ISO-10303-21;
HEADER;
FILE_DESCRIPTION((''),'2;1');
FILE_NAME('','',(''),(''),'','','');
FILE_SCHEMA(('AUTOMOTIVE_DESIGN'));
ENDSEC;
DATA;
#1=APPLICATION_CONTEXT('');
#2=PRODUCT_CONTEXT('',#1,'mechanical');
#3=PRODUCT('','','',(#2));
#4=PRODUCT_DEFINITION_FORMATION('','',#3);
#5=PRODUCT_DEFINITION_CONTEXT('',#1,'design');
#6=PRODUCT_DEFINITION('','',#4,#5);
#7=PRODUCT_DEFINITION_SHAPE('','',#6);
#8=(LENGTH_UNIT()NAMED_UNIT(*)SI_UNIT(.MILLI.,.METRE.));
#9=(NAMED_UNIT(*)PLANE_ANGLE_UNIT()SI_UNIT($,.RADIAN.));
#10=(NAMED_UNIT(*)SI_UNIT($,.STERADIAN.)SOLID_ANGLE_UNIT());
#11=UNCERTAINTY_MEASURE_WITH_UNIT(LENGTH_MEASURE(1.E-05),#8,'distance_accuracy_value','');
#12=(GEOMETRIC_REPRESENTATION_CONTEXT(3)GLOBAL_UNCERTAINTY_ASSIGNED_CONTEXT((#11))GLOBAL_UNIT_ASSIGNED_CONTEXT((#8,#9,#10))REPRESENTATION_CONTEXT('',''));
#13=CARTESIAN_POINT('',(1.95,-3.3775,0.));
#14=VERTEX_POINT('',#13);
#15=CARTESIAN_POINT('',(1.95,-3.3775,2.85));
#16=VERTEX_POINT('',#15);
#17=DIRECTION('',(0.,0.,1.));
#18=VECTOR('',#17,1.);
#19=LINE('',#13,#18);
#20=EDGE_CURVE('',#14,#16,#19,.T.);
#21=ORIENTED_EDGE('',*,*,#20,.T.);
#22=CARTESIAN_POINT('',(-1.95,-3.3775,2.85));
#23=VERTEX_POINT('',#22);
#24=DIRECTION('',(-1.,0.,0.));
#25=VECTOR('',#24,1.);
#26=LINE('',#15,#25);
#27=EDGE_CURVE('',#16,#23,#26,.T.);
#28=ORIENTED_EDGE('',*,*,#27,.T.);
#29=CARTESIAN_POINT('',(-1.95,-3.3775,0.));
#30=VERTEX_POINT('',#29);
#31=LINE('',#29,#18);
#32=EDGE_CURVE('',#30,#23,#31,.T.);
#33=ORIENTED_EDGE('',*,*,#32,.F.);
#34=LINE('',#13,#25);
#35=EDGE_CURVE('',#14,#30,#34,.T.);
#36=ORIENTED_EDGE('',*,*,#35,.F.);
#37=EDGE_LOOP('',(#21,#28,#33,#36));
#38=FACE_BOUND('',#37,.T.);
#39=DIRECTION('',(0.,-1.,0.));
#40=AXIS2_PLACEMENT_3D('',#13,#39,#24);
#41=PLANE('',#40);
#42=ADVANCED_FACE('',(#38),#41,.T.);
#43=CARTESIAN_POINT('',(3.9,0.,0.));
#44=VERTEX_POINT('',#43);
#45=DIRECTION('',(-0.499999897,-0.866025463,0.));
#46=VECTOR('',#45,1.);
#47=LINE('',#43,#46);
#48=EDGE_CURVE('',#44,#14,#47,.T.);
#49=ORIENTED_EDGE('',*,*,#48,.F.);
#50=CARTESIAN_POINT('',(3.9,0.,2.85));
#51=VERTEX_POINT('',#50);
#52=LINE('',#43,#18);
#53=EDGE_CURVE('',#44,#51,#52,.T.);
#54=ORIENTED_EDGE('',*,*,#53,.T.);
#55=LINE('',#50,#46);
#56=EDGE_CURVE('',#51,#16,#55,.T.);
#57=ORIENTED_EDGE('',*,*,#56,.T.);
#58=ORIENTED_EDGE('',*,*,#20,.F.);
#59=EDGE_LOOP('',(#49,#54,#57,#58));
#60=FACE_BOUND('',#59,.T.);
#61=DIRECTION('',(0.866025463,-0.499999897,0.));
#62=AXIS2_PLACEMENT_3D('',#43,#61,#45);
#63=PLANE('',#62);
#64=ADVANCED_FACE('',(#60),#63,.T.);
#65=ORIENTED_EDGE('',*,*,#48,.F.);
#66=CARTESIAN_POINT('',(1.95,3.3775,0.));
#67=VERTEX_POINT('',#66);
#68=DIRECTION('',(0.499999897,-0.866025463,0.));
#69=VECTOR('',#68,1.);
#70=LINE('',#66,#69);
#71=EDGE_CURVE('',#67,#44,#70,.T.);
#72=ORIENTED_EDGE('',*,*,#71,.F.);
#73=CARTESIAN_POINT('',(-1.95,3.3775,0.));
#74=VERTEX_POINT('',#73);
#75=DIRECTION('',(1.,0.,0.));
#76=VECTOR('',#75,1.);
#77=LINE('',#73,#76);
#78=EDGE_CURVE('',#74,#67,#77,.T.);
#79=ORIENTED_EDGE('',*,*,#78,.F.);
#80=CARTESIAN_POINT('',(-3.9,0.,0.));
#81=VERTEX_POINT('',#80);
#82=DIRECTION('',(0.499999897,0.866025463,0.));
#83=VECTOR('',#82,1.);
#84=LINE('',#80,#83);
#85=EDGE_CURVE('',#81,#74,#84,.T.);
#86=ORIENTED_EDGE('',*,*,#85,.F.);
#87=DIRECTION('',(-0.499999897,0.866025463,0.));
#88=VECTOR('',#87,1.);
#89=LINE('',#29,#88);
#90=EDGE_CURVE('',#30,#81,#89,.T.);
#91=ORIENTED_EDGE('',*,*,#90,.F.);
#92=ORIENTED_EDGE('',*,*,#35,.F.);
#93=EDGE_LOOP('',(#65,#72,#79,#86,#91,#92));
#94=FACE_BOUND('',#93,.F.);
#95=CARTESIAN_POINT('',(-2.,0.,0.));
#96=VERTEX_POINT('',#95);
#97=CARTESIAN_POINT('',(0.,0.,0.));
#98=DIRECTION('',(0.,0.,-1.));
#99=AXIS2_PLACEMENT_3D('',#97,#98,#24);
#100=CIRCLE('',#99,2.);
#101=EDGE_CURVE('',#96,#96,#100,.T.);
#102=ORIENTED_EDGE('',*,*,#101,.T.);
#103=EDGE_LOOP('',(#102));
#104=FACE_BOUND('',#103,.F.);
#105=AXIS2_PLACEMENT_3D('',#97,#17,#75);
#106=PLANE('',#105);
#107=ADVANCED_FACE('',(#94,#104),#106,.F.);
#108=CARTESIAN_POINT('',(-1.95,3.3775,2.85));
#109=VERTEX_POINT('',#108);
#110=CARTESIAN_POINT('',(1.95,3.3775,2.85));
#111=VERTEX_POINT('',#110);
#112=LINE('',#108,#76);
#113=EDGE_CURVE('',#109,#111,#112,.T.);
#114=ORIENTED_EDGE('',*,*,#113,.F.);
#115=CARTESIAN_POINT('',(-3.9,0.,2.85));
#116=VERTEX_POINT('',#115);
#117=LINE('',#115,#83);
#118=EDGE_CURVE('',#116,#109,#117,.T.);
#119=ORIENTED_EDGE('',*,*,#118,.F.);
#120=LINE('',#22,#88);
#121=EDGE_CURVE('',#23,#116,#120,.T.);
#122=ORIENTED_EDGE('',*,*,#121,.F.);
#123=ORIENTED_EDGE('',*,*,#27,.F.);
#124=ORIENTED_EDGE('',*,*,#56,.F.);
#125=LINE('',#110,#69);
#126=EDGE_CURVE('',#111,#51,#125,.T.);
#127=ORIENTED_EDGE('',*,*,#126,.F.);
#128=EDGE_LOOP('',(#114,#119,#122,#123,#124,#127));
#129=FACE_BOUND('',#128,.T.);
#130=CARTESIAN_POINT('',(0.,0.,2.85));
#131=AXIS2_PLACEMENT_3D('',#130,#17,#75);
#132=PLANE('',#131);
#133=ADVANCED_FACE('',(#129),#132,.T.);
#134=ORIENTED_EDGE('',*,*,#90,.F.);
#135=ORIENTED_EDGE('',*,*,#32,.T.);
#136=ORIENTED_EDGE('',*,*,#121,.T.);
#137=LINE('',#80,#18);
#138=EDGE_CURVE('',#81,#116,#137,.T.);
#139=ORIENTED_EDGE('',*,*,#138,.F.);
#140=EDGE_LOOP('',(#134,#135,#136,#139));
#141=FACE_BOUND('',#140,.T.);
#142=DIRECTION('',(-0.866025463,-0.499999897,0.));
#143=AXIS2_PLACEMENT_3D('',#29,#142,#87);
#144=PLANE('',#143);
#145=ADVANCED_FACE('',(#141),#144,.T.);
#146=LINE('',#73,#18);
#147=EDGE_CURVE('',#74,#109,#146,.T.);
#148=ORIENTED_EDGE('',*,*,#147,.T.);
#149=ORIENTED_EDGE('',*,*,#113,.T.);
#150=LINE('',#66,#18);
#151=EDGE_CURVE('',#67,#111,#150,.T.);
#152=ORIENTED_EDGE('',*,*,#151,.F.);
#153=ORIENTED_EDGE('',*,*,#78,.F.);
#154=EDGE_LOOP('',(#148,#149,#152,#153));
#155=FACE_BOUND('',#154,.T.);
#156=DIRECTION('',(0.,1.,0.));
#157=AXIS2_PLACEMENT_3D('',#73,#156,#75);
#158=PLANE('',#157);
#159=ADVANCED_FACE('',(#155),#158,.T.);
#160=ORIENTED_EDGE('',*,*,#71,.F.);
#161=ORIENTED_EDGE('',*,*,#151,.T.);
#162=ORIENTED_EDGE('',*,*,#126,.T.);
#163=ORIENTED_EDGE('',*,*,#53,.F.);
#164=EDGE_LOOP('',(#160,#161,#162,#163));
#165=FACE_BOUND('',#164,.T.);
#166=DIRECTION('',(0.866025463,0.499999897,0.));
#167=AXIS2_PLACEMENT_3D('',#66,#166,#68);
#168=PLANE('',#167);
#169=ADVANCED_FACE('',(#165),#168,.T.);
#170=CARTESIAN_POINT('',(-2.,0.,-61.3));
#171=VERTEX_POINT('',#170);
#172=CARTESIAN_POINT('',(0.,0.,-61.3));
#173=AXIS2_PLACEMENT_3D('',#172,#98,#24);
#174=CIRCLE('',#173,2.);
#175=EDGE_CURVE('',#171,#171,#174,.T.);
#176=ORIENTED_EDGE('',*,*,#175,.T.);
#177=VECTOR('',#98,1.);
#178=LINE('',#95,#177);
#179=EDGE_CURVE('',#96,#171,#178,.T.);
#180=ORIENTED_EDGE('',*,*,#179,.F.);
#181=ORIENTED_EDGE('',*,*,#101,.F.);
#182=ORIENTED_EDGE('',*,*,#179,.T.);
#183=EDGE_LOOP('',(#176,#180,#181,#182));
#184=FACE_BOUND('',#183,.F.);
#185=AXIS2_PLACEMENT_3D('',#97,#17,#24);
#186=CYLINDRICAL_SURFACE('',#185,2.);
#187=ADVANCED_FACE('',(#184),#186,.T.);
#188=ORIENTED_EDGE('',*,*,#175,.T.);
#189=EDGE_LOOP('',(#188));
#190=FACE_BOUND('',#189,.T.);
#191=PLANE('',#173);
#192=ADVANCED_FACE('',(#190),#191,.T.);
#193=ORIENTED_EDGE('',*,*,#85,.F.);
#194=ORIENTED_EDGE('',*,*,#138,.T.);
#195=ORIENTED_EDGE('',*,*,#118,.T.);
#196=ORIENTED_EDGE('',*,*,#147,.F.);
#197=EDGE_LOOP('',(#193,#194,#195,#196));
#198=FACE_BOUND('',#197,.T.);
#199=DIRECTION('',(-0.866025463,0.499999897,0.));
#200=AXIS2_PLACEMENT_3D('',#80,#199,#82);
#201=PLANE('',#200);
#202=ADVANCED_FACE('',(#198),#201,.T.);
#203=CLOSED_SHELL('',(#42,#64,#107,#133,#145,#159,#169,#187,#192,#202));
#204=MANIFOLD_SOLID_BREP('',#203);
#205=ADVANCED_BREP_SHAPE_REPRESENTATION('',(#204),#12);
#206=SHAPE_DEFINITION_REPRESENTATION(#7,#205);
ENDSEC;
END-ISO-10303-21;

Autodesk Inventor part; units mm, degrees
ref_plane "YZ Plane" through (0, 0, 0) normal (1, 0, 0) x (0, 1, 0)
ref_plane "XZ Plane" through (0, 0, 0) normal (0, 1, 0) x (-1, 0, 0)
ref_plane "XY Plane" through (0, 0, 0) normal (0, 0, 1) x (1, 0, 0)
sketch "Sketch1" plane through (0, 0, 0) normal (0, 0, 1) x (1, 0, 0)
  line L0 (0, 0) -> (3.9, 0) construction
  line L1 (0, 0) -> (1.95, 3.3775) construction
  line L2 (0, 0) -> (-1.95, 3.3775) construction
  line L3 (0, 0) -> (-3.9, 0) construction
  line L4 (0, 0) -> (-1.95, -3.3775) construction
  line L5 (0, 0) -> (1.95, -3.3775) construction
  line L6 (-1.95, 3.3775) -> (1.95, 3.3775)
  line L7 (1.95, 3.3775) -> (3.9, 0)
  line L8 (3.9, 0) -> (1.95, -3.3775)
  line L9 (1.95, -3.3775) -> (-1.95, -3.3775)
  line L10 (-1.95, -3.3775) -> (-3.9, 0)
  line L11 (-3.9, 0) -> (-1.95, 3.3775)
  dimension "d0" = 3.9
  dimension "d3" = 360
extrude "Extrusion1" add sketch "Sketch1" along normal blind 2.85
sketch "Sketch2" plane through (0, 0, 0) normal (0, 0, -1) x (-1, 0, 0)
  circle A0 centre (0, 0) radius 2
  dimension "d7" = 4
extrude "Extrusion2" add sketch "Sketch2" along normal blind 61.3
properties part number "M4_short"
